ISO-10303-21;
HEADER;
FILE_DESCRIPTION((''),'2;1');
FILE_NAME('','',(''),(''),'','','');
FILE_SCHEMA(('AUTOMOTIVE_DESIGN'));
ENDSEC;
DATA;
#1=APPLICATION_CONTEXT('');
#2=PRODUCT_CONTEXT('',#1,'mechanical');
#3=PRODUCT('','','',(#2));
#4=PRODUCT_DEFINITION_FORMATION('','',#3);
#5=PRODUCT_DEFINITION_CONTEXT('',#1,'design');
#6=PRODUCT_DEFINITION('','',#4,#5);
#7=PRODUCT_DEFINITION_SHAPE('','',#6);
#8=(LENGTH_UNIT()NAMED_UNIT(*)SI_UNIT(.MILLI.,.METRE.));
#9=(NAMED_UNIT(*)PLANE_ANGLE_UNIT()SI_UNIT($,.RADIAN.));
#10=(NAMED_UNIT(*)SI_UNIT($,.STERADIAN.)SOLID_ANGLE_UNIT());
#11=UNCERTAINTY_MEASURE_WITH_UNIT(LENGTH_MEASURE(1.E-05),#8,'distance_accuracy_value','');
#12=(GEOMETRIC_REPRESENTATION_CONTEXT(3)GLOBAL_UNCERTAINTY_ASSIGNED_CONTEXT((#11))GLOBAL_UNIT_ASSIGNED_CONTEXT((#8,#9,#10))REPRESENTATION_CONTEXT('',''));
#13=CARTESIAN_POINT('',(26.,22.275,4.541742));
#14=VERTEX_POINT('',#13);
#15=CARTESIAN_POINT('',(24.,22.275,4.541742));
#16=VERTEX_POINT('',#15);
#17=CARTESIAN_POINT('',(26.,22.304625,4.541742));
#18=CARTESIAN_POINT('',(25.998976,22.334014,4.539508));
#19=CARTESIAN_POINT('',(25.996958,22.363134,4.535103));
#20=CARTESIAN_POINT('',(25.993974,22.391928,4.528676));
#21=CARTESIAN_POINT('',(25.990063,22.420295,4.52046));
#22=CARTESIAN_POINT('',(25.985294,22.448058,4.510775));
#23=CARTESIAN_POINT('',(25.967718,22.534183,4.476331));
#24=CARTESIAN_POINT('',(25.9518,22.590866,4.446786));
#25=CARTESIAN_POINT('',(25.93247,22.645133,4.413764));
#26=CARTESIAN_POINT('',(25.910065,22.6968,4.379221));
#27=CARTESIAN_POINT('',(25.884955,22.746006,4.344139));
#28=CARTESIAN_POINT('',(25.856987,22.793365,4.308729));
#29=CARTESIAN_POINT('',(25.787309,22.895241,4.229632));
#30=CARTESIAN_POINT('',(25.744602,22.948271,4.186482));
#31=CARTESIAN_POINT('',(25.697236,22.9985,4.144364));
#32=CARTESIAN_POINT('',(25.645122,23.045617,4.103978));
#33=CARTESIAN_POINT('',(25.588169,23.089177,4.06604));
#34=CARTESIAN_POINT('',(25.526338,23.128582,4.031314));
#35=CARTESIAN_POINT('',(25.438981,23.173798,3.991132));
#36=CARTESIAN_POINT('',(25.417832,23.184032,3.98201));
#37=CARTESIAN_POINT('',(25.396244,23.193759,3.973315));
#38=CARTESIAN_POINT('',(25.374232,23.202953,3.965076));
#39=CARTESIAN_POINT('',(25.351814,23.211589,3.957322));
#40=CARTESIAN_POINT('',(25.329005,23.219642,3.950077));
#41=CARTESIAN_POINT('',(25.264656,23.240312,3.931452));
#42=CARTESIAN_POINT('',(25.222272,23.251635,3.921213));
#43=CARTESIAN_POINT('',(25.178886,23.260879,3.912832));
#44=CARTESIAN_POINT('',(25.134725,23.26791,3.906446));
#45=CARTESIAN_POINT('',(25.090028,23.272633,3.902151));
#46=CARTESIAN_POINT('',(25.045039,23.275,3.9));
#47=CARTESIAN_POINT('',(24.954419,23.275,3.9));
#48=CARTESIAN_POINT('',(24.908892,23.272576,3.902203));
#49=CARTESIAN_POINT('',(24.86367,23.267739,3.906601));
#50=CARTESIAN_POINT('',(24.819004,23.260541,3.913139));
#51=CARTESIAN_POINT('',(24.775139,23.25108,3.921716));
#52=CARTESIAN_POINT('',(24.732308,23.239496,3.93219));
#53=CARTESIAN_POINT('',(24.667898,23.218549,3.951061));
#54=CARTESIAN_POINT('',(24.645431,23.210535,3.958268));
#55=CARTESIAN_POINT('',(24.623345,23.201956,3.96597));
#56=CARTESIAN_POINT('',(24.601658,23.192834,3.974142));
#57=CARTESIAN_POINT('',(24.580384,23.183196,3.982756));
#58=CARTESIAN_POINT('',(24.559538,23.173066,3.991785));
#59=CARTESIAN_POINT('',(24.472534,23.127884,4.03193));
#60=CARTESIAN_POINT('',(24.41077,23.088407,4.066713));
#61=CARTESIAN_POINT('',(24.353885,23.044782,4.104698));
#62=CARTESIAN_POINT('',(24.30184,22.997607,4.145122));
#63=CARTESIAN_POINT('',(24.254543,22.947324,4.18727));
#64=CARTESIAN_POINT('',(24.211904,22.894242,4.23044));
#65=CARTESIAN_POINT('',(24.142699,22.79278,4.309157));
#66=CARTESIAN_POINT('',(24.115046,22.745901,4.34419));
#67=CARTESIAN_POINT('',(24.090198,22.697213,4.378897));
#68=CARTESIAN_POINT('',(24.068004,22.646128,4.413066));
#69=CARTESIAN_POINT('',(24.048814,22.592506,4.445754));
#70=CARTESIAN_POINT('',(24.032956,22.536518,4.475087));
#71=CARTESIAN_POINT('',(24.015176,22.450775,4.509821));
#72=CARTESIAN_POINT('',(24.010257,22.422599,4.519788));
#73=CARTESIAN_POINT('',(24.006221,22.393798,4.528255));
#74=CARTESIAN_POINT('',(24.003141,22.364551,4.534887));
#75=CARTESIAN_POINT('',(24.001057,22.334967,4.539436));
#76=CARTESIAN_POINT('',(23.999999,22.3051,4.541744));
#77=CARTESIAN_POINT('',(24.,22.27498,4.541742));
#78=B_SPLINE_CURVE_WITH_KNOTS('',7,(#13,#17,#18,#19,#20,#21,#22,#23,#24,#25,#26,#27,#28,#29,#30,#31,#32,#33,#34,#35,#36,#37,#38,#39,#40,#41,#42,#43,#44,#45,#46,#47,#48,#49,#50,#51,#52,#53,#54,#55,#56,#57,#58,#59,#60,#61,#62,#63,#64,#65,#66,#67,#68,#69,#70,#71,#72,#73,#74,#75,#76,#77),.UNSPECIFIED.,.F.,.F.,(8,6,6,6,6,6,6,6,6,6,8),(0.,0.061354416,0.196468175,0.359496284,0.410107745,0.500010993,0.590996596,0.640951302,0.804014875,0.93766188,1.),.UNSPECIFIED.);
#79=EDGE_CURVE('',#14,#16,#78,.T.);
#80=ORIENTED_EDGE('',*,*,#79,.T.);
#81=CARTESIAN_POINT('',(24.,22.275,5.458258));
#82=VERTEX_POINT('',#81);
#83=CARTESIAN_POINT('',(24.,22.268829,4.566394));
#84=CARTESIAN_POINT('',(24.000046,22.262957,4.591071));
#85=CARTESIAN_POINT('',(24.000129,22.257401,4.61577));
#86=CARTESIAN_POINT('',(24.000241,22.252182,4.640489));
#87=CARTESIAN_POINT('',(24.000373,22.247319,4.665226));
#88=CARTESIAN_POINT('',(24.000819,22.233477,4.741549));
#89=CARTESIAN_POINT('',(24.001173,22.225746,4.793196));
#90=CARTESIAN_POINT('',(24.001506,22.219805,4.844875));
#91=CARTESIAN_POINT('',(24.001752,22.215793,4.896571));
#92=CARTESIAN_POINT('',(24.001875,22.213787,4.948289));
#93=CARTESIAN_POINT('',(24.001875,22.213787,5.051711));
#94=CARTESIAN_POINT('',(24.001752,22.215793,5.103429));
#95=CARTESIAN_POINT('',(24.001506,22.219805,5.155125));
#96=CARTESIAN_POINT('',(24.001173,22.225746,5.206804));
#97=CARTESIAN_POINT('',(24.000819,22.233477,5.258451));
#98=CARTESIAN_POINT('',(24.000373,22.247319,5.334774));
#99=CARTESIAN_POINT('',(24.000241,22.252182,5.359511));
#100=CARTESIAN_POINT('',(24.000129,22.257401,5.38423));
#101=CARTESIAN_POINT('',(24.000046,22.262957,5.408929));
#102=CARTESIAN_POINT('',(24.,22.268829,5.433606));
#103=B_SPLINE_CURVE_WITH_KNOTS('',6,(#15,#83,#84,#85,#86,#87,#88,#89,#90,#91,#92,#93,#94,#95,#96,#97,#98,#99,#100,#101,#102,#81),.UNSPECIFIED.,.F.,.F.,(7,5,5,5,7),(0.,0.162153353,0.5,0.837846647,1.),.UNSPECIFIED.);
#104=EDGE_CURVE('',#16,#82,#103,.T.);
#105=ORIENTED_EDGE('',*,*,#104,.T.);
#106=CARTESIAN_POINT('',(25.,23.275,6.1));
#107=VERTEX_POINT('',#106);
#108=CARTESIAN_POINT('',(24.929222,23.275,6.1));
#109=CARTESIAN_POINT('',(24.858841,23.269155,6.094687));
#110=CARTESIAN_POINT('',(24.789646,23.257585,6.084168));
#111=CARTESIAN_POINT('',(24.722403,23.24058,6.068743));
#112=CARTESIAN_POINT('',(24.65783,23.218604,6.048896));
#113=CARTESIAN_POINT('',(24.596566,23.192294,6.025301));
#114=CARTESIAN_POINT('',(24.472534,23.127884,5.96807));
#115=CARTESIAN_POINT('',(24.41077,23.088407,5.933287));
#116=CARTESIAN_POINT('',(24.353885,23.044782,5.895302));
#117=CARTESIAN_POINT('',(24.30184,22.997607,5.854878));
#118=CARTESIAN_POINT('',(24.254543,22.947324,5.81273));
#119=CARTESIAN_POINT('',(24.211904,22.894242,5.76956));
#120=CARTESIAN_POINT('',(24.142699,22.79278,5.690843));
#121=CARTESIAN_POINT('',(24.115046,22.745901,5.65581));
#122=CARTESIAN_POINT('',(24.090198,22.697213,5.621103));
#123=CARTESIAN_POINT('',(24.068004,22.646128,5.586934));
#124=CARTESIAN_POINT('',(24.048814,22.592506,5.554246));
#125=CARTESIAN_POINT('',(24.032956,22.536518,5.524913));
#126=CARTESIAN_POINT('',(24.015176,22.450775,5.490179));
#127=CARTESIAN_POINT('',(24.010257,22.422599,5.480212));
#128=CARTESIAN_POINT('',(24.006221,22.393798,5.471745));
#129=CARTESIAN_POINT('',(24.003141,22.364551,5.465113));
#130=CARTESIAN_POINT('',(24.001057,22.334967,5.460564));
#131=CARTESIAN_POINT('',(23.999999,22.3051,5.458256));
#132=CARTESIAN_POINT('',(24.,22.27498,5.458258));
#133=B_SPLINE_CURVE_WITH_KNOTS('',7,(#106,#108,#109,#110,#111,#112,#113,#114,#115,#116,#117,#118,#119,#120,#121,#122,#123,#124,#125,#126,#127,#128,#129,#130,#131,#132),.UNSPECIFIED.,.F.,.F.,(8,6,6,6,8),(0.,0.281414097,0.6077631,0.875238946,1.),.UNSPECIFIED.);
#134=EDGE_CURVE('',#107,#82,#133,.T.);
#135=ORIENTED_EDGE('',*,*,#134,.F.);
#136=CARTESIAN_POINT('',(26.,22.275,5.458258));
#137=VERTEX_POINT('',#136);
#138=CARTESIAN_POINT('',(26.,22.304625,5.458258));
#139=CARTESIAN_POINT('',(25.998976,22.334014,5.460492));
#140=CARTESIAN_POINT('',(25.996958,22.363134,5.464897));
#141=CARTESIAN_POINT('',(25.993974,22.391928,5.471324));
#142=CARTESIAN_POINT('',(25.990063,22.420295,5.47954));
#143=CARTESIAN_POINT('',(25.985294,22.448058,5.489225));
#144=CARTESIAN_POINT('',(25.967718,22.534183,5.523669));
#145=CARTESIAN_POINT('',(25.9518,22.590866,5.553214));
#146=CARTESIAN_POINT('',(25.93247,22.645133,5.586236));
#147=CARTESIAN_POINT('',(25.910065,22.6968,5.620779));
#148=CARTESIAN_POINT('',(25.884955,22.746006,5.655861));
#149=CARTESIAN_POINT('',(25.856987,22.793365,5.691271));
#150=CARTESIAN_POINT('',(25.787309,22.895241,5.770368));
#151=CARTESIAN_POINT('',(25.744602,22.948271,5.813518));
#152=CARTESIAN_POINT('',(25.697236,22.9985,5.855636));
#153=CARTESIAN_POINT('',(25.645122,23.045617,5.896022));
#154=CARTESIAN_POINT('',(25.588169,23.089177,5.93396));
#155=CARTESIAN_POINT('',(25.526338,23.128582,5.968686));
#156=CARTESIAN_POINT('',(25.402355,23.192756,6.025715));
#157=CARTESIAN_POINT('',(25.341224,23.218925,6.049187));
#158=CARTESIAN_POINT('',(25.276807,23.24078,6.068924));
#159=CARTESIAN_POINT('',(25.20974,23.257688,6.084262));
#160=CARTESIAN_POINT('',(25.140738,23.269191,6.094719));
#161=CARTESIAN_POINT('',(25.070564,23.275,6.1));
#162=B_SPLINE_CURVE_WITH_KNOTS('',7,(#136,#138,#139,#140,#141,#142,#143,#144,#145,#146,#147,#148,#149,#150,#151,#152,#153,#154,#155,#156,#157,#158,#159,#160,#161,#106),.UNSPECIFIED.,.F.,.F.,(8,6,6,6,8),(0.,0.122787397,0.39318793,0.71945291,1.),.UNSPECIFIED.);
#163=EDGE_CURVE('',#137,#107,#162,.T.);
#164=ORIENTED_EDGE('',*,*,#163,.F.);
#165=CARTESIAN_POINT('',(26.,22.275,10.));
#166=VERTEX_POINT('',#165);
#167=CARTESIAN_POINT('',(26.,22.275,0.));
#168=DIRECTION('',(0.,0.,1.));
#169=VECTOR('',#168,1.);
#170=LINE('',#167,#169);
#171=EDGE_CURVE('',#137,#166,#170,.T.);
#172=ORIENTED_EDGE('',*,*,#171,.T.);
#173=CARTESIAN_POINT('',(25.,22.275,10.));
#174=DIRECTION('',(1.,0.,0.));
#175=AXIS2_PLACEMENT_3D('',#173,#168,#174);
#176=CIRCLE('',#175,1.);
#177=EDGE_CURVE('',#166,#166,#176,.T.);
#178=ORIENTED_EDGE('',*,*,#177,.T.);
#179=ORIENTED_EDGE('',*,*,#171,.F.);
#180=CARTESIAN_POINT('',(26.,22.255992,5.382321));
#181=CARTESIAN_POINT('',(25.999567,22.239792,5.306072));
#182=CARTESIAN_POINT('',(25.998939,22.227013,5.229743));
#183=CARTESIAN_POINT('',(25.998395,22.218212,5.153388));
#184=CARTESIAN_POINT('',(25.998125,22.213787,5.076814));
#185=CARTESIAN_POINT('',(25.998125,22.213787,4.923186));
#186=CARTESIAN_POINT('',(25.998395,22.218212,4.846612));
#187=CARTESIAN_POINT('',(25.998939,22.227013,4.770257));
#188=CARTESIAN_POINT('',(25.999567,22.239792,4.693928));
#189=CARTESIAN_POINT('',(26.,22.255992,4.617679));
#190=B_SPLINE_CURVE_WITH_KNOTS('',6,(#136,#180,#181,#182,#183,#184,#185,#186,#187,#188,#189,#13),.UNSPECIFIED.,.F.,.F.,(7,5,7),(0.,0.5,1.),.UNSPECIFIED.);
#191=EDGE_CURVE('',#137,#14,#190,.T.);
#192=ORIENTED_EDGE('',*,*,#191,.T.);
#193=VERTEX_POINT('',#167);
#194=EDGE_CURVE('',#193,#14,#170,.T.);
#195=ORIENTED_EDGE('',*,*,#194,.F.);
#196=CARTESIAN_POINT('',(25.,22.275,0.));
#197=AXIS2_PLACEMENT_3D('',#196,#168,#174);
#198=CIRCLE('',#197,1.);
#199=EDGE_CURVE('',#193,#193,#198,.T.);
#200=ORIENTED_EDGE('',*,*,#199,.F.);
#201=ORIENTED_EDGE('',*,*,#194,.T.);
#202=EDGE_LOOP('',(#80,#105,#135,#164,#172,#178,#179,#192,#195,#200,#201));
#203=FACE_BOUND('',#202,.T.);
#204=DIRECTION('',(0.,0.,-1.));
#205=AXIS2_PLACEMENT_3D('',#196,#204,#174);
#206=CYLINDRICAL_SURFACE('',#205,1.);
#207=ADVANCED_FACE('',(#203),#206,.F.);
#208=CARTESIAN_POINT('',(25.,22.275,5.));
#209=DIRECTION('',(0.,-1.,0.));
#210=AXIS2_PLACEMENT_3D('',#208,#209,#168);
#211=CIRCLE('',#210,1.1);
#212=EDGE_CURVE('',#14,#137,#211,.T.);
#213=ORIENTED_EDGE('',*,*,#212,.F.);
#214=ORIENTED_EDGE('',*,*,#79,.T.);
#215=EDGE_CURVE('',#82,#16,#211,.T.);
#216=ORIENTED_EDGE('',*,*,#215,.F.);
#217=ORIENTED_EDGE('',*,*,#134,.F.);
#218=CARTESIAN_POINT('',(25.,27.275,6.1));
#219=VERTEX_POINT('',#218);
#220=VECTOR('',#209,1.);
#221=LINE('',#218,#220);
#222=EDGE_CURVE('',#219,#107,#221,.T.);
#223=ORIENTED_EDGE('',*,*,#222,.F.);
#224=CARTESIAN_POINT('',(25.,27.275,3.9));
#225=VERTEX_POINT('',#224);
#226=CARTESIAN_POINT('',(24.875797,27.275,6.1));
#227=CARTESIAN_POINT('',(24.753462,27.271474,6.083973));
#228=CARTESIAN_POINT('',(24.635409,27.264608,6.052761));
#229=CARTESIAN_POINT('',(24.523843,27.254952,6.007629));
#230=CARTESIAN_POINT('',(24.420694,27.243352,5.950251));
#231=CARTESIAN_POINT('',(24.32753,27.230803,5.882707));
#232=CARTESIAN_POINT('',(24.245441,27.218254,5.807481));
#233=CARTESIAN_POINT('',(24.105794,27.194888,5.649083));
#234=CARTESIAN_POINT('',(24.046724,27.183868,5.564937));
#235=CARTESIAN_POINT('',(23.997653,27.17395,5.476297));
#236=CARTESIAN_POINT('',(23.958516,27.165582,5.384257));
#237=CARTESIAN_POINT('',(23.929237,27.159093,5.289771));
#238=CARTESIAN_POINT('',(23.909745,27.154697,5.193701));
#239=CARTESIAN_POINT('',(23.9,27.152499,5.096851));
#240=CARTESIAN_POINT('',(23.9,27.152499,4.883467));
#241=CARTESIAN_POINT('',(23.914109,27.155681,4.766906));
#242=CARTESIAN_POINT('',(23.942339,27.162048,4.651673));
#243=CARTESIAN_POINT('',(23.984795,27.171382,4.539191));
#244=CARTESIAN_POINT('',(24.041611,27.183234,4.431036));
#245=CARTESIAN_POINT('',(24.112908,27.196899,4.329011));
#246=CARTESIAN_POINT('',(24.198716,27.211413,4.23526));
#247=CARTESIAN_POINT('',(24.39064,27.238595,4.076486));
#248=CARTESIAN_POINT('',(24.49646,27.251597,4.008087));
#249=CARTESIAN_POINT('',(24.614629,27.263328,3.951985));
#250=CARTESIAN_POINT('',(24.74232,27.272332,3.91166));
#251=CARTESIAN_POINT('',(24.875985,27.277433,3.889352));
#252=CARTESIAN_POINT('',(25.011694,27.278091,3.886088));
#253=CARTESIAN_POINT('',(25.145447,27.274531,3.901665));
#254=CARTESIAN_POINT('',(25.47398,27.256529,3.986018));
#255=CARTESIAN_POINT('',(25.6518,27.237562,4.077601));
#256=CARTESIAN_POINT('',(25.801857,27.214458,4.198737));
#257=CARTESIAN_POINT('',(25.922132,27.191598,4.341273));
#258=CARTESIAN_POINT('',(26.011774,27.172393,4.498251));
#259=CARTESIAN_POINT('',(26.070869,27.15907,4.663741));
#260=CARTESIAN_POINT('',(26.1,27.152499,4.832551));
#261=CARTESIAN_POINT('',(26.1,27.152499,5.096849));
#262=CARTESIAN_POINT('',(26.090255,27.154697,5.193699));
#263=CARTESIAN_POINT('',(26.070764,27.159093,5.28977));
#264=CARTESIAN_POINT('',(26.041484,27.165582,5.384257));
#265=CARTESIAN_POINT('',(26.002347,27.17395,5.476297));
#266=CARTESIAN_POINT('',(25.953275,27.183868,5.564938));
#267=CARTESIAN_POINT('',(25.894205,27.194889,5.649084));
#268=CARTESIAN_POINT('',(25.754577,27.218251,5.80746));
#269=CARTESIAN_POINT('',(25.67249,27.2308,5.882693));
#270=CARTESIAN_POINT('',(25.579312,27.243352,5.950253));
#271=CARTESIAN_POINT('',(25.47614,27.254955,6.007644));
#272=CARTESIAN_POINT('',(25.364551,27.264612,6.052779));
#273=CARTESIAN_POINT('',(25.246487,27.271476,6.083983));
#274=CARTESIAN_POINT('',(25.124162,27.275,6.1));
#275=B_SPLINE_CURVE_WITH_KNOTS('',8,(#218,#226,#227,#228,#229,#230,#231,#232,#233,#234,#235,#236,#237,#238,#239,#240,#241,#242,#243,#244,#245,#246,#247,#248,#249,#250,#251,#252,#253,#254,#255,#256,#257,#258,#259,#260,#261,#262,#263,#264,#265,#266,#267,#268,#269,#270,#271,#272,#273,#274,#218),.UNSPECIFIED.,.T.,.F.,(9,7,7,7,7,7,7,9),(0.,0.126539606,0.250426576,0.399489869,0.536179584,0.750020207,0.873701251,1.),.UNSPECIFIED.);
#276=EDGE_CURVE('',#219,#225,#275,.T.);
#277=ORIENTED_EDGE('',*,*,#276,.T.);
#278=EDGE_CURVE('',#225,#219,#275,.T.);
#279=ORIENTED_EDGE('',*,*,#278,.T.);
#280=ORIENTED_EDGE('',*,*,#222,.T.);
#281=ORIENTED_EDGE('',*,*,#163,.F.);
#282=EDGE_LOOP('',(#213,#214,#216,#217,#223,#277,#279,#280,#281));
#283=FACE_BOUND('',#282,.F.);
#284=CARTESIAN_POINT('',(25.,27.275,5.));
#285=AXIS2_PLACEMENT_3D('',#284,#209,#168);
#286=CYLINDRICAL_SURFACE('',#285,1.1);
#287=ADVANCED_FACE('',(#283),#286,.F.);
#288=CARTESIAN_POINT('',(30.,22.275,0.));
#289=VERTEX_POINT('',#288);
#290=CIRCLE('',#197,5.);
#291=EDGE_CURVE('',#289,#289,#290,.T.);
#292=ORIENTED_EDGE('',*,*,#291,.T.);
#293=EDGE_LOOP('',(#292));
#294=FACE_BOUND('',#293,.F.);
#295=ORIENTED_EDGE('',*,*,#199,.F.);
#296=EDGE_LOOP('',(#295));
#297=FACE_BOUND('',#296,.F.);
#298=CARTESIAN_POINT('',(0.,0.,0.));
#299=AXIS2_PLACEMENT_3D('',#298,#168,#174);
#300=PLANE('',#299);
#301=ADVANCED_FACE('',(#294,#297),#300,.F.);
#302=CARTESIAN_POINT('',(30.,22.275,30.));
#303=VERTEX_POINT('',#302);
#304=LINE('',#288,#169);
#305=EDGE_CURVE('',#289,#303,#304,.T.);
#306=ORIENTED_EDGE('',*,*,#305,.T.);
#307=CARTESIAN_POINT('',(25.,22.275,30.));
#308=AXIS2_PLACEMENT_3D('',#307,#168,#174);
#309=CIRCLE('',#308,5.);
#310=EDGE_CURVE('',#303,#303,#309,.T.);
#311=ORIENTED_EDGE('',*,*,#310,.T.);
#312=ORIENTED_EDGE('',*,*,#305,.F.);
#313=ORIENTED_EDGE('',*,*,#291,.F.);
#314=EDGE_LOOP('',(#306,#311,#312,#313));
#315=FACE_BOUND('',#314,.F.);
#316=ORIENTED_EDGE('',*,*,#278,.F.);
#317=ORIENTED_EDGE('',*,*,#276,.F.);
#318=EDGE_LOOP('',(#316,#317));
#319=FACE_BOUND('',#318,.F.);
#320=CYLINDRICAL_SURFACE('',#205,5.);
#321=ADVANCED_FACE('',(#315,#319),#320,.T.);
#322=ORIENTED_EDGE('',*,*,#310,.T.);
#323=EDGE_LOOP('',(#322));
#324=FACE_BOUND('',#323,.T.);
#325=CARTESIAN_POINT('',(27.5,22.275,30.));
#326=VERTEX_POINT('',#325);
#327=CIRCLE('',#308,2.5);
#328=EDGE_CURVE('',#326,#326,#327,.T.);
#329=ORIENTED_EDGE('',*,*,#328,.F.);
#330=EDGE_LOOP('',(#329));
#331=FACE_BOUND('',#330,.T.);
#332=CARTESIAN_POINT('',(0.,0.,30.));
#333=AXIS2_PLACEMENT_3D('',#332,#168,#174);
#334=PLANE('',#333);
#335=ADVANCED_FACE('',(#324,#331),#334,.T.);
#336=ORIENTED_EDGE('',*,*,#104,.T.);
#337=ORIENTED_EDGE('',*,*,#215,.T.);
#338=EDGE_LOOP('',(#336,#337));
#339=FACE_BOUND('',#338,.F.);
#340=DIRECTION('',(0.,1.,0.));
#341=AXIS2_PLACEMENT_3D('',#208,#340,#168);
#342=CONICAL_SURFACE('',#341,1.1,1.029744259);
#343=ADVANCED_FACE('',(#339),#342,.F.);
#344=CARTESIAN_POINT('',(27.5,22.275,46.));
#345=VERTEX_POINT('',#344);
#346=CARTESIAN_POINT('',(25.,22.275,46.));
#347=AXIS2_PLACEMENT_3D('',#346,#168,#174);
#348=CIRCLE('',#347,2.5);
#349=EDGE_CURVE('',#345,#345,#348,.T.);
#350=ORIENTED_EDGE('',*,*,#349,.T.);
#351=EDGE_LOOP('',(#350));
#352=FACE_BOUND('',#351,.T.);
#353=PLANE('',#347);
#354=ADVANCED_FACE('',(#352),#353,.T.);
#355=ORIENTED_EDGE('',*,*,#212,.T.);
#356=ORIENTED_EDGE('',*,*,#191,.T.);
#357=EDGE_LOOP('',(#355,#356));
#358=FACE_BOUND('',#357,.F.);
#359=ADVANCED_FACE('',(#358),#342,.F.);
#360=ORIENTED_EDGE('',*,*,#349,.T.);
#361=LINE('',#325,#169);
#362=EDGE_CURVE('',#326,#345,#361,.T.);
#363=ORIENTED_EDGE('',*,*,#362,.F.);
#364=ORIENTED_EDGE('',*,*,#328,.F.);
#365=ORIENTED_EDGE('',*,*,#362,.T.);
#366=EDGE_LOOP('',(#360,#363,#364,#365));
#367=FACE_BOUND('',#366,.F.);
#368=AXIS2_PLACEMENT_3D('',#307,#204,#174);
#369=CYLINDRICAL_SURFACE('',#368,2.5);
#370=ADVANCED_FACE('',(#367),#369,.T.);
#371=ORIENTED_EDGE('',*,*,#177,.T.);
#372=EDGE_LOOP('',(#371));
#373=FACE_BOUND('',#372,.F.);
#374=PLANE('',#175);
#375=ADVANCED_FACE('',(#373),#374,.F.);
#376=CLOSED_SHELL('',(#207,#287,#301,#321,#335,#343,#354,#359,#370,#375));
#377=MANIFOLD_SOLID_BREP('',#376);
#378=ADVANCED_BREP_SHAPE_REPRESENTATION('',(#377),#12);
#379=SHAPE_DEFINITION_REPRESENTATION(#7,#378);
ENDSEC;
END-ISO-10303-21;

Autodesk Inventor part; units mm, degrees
ref_plane "YZ Plane" through (0, 0, 0) normal (1, 0, 0) x (0, 1, 0)
ref_plane "XY Plane" through (0, 0, 0) normal (0, 0, 1) x (1, 0, 0)
sketch "Sketch1" plane through (0, 0, 0) normal (0, 0, 1) x (1, 0, 0)
  circle A0 centre (25, 22.275) radius 1 projected
  circle A1 centre (25, 22.275) radius 5
  circle A2 centre (25, 22.275) radius 1
  point P0 (0, 0)
  dimension "d0" = 10
  dimension "d6" = 2
extrude "Extrusion1" add sketch "Sketch1" along normal blind 30
sketch "Sketch2" plane through (25, 22.275, 30) normal (0, 0, 1) x (1, 0, 0)
  circle A0 centre (0, 0) radius 5 projected
  circle A1 centre (0, 0) radius 2.5
  circle A2 centre (0, 0) radius 1
  point P0 (-25, -22.275)
extrude "Extrusion2" add sketch "Sketch2" along normal blind 16 contours A1
ref_plane "Work Plane1" through (25, 27.275, 0) normal (0, 1, 0) x (-1, 0, 0)
sketch "Sketch4" plane through (25, 27.275, 0) normal (0, 1, 0) x (-1, 0, 0)
  circle A0 centre (0, 5) radius 1
  line L0 (5, 30) -> (-5, 30) projected
  line L1 (5, 0) -> (-5, 0) projected
  line L2 (5, 30) -> (-5, 30) projected
  line L3 (0, 30) -> (5, 30)
  line L4 (0, 30) -> (0, 25)
  point P0 (25, 0)
  dimension "d8" = 2
  dimension "d18" = 5
  dimension "d19" = 5
hole "Hole1" at (25, 27.275, 5) direction (0, -1, 0) diameter 2.2 depth 5 tip angle 118
sketch "Sketch5" plane through (25, 22.275, 46) normal (0, 0, 1) x (1, 0, 0)
  circle A0 centre (0, 0) radius 1
  point P0 (-25, -22.275)
extrude "Extrusion3" add sketch "Sketch5" against normal blind 36
properties part number "acoplador sensor"
